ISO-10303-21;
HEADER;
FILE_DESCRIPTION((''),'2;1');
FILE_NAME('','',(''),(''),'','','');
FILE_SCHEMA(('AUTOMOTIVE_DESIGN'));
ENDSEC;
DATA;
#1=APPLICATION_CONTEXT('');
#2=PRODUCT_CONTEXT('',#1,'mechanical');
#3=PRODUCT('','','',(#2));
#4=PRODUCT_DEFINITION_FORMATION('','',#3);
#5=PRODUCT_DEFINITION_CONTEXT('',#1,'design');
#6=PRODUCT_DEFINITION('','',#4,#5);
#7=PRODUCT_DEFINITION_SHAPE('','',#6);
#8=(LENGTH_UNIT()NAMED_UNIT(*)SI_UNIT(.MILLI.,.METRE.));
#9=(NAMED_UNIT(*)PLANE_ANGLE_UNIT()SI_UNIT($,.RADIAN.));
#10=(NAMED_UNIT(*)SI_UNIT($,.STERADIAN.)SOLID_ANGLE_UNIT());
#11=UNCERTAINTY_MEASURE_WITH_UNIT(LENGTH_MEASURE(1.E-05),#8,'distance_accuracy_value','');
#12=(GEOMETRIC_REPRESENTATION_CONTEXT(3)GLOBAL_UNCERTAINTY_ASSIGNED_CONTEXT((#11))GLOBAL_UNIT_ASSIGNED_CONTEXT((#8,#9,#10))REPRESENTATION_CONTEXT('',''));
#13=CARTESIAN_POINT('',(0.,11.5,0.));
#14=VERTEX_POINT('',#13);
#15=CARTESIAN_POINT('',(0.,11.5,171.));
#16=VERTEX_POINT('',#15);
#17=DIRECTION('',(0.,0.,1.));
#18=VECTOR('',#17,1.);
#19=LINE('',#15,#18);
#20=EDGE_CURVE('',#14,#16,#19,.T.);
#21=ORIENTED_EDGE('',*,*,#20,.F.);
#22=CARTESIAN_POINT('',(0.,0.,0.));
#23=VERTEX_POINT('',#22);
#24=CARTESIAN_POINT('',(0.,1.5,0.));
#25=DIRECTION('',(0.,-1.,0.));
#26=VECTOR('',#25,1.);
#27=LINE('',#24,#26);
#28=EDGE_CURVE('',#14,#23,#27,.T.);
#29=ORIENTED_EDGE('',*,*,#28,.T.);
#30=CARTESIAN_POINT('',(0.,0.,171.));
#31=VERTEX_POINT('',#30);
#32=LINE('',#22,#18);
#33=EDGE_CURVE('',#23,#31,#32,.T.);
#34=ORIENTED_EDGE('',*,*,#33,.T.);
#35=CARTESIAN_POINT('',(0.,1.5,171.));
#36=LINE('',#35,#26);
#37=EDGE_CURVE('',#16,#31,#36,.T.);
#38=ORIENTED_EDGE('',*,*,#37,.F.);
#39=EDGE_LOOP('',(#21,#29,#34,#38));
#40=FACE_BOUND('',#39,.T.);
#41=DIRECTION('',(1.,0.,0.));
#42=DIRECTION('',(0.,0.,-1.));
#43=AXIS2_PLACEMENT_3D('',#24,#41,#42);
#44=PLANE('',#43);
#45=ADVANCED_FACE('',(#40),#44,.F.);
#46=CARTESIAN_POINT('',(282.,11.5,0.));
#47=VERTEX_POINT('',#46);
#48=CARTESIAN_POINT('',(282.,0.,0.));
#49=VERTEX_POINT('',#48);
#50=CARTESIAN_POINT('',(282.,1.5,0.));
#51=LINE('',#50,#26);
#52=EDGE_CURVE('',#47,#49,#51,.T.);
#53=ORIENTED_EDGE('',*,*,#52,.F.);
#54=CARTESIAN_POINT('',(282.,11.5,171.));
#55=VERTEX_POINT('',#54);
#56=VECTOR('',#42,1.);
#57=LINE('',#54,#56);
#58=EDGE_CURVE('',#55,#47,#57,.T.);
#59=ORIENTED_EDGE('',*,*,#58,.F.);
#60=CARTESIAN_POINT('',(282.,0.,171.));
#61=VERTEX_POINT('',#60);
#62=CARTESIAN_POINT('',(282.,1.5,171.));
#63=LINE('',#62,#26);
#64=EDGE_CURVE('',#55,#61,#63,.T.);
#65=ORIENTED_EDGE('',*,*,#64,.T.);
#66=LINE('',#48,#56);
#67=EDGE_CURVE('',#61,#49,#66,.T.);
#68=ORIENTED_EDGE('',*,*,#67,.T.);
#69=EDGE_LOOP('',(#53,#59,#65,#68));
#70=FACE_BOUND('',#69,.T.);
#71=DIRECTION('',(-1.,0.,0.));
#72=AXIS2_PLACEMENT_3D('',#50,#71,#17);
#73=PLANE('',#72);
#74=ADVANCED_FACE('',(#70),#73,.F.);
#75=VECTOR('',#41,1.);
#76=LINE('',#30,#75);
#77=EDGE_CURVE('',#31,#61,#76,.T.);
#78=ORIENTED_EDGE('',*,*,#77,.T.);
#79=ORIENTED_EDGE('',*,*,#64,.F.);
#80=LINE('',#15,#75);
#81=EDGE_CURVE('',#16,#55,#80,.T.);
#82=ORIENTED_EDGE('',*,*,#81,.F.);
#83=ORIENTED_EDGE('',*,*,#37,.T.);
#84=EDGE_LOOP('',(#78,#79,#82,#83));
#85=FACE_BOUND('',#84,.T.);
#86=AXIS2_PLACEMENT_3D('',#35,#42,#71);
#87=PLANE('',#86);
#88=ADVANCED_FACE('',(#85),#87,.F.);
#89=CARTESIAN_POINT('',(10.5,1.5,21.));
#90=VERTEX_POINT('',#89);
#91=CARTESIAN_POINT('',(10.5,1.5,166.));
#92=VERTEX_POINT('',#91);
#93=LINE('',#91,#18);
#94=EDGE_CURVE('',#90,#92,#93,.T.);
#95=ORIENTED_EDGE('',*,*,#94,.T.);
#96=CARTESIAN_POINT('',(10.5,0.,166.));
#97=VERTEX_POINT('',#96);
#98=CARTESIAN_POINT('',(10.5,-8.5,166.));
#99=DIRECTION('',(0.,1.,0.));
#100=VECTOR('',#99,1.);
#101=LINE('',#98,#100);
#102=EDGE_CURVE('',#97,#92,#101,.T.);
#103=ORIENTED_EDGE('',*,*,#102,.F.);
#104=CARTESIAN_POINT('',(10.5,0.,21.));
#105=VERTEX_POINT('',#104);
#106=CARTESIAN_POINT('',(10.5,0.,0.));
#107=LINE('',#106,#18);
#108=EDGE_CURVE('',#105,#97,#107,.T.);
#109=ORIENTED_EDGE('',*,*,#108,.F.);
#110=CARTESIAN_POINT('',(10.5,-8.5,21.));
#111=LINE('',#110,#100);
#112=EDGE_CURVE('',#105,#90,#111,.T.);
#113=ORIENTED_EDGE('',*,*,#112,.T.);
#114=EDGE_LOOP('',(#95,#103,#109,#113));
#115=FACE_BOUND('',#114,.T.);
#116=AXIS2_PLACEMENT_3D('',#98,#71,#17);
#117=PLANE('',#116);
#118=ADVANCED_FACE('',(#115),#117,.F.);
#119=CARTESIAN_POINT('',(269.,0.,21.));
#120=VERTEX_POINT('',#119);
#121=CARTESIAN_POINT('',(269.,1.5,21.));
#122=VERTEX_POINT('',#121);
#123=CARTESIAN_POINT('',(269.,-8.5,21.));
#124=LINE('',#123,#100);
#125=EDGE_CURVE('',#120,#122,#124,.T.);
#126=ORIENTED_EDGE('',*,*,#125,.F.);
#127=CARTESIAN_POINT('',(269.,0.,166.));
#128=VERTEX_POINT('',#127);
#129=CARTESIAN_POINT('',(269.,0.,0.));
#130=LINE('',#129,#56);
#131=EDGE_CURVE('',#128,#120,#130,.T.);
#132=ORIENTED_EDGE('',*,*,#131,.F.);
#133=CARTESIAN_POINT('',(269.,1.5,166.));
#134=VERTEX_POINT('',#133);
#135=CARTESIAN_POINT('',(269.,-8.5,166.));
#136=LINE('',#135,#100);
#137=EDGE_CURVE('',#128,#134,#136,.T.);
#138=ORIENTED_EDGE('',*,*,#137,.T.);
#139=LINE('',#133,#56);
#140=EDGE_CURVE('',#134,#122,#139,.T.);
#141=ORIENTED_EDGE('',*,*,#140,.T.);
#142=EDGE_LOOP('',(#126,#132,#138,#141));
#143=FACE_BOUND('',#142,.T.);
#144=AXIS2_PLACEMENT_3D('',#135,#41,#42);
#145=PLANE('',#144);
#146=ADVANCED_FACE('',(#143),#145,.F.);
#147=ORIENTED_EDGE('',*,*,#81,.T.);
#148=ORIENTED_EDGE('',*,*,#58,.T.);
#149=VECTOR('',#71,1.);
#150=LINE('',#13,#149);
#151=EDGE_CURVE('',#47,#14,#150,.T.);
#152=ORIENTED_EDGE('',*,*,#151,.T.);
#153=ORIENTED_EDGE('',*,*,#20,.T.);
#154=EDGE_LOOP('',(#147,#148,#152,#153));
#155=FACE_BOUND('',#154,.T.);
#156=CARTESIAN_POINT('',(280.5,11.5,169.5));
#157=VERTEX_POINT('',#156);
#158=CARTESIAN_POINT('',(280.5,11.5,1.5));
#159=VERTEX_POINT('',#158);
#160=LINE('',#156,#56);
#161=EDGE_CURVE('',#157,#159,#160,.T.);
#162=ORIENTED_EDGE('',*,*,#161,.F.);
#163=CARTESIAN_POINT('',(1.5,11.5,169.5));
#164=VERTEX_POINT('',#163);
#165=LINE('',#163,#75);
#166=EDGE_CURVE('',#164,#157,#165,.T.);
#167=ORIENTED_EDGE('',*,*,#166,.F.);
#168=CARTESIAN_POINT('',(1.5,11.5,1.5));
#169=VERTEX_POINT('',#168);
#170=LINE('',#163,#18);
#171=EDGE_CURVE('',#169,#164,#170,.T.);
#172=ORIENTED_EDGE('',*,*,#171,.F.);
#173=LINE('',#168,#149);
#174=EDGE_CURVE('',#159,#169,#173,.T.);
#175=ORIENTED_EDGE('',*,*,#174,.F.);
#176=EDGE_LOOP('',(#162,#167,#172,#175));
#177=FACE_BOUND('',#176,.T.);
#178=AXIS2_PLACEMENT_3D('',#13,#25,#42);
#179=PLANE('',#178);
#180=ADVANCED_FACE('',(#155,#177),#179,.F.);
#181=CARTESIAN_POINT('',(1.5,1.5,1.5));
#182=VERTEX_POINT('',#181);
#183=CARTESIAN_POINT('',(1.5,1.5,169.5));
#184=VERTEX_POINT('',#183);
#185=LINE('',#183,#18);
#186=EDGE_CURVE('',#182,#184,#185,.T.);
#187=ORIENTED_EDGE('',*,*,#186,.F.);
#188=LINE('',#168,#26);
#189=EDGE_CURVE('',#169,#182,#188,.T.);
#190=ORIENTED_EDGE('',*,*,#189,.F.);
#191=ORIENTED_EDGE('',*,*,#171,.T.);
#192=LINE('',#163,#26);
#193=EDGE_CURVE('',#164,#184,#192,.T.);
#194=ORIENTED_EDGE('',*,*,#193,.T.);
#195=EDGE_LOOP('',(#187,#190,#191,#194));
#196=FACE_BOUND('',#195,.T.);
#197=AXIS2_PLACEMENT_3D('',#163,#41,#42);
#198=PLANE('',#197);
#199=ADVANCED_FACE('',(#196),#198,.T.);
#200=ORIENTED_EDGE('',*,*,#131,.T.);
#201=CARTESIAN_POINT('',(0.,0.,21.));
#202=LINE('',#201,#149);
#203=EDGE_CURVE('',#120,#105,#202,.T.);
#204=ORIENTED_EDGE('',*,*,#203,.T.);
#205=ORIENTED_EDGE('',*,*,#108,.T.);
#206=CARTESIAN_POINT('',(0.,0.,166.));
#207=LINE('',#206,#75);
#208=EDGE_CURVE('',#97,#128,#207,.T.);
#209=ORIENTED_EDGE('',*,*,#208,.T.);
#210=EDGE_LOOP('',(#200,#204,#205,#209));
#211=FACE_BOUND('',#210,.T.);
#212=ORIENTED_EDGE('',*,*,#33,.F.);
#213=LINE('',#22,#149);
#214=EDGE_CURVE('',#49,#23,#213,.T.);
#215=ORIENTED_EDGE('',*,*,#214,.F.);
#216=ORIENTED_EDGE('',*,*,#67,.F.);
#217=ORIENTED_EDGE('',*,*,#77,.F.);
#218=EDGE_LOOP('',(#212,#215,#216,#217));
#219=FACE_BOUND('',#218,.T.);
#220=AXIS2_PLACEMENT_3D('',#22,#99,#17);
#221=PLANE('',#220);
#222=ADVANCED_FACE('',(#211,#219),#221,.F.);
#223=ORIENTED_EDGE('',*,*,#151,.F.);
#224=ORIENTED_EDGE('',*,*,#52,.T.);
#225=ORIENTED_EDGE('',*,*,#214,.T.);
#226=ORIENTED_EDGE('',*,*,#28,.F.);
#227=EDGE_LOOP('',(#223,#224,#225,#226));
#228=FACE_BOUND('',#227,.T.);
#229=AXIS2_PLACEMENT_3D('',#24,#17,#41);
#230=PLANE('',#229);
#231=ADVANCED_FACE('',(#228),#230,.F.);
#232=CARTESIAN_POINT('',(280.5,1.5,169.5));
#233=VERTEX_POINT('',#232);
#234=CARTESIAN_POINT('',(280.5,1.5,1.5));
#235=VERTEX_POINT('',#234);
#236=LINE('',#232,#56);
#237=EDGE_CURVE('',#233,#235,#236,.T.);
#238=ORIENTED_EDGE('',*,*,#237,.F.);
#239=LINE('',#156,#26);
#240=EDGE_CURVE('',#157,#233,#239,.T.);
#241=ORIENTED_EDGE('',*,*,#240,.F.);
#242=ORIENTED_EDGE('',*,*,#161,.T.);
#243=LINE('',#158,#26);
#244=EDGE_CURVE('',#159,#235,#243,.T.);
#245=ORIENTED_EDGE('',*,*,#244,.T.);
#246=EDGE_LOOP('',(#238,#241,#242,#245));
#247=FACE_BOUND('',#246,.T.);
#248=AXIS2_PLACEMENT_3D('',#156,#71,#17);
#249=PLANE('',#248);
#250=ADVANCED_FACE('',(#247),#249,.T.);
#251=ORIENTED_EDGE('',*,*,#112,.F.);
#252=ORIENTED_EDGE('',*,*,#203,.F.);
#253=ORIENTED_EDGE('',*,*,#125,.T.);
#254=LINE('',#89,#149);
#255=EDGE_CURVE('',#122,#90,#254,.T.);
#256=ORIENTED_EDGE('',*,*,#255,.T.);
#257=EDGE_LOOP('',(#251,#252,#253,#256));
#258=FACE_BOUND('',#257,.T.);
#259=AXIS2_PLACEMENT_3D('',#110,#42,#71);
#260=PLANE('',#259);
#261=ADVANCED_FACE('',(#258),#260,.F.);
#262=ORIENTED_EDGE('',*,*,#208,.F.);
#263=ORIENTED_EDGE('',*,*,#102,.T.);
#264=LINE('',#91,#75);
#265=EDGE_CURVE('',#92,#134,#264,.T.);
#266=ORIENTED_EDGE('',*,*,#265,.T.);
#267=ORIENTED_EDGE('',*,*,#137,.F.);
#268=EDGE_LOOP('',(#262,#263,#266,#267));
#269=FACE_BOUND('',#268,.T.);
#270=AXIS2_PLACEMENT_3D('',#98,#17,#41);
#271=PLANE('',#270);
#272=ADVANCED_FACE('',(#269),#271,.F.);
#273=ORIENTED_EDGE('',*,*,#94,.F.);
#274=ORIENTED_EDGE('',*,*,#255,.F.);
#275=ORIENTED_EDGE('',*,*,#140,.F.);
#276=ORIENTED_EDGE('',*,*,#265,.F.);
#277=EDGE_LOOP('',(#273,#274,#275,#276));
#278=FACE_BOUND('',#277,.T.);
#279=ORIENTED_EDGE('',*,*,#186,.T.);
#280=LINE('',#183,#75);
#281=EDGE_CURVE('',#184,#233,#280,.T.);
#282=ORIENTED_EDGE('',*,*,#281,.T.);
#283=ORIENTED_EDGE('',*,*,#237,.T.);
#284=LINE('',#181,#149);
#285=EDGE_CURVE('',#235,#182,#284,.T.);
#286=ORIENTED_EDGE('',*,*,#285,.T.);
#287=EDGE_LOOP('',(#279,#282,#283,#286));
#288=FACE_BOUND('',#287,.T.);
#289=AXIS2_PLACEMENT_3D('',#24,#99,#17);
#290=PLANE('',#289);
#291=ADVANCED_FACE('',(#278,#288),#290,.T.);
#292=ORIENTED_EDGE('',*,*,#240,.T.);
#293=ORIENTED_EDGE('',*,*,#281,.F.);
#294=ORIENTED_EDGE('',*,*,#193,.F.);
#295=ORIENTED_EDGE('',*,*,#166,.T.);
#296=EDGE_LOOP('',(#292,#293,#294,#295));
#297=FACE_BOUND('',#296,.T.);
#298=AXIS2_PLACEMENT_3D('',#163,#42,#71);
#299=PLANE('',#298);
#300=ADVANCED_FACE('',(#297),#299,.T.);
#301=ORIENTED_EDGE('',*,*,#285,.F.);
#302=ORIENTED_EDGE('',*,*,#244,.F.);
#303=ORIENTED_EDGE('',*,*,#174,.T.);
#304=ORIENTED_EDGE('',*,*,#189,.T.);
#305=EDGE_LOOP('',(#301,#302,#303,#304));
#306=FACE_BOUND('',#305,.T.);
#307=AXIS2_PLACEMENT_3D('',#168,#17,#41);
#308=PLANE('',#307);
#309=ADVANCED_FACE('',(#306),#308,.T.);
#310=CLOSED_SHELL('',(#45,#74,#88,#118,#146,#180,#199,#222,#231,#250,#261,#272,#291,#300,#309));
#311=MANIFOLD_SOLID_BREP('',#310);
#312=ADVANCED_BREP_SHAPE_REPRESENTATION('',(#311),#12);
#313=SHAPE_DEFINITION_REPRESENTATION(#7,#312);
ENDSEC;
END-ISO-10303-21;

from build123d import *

# Parameters (mm, degrees)
SKETCH1_W           = 282
SKETCH1_H           = 171
BOSS_EXTRUDE1_DEPTH = 1.5
SKETCH2_W           = 282
SKETCH2_H           = 171
SKETCH2_W_2         = 279
SKETCH2_H_2         = 168
BOSS_EXTRUDE2_DEPTH = 10
SKETCH3_W           = 258.5
SKETCH3_H           = 145
CUT_EXTRUDE1_DEPTH  = 10


with BuildPart() as part:
    # Sketch1 → Boss-Extrude1 (new body)
    with BuildSketch(Plane(origin=(0, 0, 0), x_dir=(1, 0, 0), z_dir=(0, 1, 0))):
        with Locations((141, -85.5)):
            Rectangle(SKETCH1_W, SKETCH1_H)
    extrude(amount=BOSS_EXTRUDE1_DEPTH)

    # Sketch2 → Boss-Extrude2 (add)
    with BuildSketch(Plane(origin=(0, 1.5, 0), x_dir=(1, 0, 0), z_dir=(0, 1, 0))):
        with Locations((141, -85.5)):
            Rectangle(SKETCH2_W, SKETCH2_H)
        with Locations((141, -85.5)):
            Rectangle(SKETCH2_W_2, SKETCH2_H_2, mode=Mode.SUBTRACT)
    extrude(amount=BOSS_EXTRUDE2_DEPTH)

    # Sketch3 → Cut-Extrude1 (cut)
    with BuildSketch(Plane(origin=(0, 1.5, 0), x_dir=(1, 0, 0), z_dir=(0, 1, 0))):
        with Locations((139.75, -93.5)):
            Rectangle(SKETCH3_W, SKETCH3_H)
    extrude(amount=-CUT_EXTRUDE1_DEPTH, mode=Mode.SUBTRACT)


solid = part.part
